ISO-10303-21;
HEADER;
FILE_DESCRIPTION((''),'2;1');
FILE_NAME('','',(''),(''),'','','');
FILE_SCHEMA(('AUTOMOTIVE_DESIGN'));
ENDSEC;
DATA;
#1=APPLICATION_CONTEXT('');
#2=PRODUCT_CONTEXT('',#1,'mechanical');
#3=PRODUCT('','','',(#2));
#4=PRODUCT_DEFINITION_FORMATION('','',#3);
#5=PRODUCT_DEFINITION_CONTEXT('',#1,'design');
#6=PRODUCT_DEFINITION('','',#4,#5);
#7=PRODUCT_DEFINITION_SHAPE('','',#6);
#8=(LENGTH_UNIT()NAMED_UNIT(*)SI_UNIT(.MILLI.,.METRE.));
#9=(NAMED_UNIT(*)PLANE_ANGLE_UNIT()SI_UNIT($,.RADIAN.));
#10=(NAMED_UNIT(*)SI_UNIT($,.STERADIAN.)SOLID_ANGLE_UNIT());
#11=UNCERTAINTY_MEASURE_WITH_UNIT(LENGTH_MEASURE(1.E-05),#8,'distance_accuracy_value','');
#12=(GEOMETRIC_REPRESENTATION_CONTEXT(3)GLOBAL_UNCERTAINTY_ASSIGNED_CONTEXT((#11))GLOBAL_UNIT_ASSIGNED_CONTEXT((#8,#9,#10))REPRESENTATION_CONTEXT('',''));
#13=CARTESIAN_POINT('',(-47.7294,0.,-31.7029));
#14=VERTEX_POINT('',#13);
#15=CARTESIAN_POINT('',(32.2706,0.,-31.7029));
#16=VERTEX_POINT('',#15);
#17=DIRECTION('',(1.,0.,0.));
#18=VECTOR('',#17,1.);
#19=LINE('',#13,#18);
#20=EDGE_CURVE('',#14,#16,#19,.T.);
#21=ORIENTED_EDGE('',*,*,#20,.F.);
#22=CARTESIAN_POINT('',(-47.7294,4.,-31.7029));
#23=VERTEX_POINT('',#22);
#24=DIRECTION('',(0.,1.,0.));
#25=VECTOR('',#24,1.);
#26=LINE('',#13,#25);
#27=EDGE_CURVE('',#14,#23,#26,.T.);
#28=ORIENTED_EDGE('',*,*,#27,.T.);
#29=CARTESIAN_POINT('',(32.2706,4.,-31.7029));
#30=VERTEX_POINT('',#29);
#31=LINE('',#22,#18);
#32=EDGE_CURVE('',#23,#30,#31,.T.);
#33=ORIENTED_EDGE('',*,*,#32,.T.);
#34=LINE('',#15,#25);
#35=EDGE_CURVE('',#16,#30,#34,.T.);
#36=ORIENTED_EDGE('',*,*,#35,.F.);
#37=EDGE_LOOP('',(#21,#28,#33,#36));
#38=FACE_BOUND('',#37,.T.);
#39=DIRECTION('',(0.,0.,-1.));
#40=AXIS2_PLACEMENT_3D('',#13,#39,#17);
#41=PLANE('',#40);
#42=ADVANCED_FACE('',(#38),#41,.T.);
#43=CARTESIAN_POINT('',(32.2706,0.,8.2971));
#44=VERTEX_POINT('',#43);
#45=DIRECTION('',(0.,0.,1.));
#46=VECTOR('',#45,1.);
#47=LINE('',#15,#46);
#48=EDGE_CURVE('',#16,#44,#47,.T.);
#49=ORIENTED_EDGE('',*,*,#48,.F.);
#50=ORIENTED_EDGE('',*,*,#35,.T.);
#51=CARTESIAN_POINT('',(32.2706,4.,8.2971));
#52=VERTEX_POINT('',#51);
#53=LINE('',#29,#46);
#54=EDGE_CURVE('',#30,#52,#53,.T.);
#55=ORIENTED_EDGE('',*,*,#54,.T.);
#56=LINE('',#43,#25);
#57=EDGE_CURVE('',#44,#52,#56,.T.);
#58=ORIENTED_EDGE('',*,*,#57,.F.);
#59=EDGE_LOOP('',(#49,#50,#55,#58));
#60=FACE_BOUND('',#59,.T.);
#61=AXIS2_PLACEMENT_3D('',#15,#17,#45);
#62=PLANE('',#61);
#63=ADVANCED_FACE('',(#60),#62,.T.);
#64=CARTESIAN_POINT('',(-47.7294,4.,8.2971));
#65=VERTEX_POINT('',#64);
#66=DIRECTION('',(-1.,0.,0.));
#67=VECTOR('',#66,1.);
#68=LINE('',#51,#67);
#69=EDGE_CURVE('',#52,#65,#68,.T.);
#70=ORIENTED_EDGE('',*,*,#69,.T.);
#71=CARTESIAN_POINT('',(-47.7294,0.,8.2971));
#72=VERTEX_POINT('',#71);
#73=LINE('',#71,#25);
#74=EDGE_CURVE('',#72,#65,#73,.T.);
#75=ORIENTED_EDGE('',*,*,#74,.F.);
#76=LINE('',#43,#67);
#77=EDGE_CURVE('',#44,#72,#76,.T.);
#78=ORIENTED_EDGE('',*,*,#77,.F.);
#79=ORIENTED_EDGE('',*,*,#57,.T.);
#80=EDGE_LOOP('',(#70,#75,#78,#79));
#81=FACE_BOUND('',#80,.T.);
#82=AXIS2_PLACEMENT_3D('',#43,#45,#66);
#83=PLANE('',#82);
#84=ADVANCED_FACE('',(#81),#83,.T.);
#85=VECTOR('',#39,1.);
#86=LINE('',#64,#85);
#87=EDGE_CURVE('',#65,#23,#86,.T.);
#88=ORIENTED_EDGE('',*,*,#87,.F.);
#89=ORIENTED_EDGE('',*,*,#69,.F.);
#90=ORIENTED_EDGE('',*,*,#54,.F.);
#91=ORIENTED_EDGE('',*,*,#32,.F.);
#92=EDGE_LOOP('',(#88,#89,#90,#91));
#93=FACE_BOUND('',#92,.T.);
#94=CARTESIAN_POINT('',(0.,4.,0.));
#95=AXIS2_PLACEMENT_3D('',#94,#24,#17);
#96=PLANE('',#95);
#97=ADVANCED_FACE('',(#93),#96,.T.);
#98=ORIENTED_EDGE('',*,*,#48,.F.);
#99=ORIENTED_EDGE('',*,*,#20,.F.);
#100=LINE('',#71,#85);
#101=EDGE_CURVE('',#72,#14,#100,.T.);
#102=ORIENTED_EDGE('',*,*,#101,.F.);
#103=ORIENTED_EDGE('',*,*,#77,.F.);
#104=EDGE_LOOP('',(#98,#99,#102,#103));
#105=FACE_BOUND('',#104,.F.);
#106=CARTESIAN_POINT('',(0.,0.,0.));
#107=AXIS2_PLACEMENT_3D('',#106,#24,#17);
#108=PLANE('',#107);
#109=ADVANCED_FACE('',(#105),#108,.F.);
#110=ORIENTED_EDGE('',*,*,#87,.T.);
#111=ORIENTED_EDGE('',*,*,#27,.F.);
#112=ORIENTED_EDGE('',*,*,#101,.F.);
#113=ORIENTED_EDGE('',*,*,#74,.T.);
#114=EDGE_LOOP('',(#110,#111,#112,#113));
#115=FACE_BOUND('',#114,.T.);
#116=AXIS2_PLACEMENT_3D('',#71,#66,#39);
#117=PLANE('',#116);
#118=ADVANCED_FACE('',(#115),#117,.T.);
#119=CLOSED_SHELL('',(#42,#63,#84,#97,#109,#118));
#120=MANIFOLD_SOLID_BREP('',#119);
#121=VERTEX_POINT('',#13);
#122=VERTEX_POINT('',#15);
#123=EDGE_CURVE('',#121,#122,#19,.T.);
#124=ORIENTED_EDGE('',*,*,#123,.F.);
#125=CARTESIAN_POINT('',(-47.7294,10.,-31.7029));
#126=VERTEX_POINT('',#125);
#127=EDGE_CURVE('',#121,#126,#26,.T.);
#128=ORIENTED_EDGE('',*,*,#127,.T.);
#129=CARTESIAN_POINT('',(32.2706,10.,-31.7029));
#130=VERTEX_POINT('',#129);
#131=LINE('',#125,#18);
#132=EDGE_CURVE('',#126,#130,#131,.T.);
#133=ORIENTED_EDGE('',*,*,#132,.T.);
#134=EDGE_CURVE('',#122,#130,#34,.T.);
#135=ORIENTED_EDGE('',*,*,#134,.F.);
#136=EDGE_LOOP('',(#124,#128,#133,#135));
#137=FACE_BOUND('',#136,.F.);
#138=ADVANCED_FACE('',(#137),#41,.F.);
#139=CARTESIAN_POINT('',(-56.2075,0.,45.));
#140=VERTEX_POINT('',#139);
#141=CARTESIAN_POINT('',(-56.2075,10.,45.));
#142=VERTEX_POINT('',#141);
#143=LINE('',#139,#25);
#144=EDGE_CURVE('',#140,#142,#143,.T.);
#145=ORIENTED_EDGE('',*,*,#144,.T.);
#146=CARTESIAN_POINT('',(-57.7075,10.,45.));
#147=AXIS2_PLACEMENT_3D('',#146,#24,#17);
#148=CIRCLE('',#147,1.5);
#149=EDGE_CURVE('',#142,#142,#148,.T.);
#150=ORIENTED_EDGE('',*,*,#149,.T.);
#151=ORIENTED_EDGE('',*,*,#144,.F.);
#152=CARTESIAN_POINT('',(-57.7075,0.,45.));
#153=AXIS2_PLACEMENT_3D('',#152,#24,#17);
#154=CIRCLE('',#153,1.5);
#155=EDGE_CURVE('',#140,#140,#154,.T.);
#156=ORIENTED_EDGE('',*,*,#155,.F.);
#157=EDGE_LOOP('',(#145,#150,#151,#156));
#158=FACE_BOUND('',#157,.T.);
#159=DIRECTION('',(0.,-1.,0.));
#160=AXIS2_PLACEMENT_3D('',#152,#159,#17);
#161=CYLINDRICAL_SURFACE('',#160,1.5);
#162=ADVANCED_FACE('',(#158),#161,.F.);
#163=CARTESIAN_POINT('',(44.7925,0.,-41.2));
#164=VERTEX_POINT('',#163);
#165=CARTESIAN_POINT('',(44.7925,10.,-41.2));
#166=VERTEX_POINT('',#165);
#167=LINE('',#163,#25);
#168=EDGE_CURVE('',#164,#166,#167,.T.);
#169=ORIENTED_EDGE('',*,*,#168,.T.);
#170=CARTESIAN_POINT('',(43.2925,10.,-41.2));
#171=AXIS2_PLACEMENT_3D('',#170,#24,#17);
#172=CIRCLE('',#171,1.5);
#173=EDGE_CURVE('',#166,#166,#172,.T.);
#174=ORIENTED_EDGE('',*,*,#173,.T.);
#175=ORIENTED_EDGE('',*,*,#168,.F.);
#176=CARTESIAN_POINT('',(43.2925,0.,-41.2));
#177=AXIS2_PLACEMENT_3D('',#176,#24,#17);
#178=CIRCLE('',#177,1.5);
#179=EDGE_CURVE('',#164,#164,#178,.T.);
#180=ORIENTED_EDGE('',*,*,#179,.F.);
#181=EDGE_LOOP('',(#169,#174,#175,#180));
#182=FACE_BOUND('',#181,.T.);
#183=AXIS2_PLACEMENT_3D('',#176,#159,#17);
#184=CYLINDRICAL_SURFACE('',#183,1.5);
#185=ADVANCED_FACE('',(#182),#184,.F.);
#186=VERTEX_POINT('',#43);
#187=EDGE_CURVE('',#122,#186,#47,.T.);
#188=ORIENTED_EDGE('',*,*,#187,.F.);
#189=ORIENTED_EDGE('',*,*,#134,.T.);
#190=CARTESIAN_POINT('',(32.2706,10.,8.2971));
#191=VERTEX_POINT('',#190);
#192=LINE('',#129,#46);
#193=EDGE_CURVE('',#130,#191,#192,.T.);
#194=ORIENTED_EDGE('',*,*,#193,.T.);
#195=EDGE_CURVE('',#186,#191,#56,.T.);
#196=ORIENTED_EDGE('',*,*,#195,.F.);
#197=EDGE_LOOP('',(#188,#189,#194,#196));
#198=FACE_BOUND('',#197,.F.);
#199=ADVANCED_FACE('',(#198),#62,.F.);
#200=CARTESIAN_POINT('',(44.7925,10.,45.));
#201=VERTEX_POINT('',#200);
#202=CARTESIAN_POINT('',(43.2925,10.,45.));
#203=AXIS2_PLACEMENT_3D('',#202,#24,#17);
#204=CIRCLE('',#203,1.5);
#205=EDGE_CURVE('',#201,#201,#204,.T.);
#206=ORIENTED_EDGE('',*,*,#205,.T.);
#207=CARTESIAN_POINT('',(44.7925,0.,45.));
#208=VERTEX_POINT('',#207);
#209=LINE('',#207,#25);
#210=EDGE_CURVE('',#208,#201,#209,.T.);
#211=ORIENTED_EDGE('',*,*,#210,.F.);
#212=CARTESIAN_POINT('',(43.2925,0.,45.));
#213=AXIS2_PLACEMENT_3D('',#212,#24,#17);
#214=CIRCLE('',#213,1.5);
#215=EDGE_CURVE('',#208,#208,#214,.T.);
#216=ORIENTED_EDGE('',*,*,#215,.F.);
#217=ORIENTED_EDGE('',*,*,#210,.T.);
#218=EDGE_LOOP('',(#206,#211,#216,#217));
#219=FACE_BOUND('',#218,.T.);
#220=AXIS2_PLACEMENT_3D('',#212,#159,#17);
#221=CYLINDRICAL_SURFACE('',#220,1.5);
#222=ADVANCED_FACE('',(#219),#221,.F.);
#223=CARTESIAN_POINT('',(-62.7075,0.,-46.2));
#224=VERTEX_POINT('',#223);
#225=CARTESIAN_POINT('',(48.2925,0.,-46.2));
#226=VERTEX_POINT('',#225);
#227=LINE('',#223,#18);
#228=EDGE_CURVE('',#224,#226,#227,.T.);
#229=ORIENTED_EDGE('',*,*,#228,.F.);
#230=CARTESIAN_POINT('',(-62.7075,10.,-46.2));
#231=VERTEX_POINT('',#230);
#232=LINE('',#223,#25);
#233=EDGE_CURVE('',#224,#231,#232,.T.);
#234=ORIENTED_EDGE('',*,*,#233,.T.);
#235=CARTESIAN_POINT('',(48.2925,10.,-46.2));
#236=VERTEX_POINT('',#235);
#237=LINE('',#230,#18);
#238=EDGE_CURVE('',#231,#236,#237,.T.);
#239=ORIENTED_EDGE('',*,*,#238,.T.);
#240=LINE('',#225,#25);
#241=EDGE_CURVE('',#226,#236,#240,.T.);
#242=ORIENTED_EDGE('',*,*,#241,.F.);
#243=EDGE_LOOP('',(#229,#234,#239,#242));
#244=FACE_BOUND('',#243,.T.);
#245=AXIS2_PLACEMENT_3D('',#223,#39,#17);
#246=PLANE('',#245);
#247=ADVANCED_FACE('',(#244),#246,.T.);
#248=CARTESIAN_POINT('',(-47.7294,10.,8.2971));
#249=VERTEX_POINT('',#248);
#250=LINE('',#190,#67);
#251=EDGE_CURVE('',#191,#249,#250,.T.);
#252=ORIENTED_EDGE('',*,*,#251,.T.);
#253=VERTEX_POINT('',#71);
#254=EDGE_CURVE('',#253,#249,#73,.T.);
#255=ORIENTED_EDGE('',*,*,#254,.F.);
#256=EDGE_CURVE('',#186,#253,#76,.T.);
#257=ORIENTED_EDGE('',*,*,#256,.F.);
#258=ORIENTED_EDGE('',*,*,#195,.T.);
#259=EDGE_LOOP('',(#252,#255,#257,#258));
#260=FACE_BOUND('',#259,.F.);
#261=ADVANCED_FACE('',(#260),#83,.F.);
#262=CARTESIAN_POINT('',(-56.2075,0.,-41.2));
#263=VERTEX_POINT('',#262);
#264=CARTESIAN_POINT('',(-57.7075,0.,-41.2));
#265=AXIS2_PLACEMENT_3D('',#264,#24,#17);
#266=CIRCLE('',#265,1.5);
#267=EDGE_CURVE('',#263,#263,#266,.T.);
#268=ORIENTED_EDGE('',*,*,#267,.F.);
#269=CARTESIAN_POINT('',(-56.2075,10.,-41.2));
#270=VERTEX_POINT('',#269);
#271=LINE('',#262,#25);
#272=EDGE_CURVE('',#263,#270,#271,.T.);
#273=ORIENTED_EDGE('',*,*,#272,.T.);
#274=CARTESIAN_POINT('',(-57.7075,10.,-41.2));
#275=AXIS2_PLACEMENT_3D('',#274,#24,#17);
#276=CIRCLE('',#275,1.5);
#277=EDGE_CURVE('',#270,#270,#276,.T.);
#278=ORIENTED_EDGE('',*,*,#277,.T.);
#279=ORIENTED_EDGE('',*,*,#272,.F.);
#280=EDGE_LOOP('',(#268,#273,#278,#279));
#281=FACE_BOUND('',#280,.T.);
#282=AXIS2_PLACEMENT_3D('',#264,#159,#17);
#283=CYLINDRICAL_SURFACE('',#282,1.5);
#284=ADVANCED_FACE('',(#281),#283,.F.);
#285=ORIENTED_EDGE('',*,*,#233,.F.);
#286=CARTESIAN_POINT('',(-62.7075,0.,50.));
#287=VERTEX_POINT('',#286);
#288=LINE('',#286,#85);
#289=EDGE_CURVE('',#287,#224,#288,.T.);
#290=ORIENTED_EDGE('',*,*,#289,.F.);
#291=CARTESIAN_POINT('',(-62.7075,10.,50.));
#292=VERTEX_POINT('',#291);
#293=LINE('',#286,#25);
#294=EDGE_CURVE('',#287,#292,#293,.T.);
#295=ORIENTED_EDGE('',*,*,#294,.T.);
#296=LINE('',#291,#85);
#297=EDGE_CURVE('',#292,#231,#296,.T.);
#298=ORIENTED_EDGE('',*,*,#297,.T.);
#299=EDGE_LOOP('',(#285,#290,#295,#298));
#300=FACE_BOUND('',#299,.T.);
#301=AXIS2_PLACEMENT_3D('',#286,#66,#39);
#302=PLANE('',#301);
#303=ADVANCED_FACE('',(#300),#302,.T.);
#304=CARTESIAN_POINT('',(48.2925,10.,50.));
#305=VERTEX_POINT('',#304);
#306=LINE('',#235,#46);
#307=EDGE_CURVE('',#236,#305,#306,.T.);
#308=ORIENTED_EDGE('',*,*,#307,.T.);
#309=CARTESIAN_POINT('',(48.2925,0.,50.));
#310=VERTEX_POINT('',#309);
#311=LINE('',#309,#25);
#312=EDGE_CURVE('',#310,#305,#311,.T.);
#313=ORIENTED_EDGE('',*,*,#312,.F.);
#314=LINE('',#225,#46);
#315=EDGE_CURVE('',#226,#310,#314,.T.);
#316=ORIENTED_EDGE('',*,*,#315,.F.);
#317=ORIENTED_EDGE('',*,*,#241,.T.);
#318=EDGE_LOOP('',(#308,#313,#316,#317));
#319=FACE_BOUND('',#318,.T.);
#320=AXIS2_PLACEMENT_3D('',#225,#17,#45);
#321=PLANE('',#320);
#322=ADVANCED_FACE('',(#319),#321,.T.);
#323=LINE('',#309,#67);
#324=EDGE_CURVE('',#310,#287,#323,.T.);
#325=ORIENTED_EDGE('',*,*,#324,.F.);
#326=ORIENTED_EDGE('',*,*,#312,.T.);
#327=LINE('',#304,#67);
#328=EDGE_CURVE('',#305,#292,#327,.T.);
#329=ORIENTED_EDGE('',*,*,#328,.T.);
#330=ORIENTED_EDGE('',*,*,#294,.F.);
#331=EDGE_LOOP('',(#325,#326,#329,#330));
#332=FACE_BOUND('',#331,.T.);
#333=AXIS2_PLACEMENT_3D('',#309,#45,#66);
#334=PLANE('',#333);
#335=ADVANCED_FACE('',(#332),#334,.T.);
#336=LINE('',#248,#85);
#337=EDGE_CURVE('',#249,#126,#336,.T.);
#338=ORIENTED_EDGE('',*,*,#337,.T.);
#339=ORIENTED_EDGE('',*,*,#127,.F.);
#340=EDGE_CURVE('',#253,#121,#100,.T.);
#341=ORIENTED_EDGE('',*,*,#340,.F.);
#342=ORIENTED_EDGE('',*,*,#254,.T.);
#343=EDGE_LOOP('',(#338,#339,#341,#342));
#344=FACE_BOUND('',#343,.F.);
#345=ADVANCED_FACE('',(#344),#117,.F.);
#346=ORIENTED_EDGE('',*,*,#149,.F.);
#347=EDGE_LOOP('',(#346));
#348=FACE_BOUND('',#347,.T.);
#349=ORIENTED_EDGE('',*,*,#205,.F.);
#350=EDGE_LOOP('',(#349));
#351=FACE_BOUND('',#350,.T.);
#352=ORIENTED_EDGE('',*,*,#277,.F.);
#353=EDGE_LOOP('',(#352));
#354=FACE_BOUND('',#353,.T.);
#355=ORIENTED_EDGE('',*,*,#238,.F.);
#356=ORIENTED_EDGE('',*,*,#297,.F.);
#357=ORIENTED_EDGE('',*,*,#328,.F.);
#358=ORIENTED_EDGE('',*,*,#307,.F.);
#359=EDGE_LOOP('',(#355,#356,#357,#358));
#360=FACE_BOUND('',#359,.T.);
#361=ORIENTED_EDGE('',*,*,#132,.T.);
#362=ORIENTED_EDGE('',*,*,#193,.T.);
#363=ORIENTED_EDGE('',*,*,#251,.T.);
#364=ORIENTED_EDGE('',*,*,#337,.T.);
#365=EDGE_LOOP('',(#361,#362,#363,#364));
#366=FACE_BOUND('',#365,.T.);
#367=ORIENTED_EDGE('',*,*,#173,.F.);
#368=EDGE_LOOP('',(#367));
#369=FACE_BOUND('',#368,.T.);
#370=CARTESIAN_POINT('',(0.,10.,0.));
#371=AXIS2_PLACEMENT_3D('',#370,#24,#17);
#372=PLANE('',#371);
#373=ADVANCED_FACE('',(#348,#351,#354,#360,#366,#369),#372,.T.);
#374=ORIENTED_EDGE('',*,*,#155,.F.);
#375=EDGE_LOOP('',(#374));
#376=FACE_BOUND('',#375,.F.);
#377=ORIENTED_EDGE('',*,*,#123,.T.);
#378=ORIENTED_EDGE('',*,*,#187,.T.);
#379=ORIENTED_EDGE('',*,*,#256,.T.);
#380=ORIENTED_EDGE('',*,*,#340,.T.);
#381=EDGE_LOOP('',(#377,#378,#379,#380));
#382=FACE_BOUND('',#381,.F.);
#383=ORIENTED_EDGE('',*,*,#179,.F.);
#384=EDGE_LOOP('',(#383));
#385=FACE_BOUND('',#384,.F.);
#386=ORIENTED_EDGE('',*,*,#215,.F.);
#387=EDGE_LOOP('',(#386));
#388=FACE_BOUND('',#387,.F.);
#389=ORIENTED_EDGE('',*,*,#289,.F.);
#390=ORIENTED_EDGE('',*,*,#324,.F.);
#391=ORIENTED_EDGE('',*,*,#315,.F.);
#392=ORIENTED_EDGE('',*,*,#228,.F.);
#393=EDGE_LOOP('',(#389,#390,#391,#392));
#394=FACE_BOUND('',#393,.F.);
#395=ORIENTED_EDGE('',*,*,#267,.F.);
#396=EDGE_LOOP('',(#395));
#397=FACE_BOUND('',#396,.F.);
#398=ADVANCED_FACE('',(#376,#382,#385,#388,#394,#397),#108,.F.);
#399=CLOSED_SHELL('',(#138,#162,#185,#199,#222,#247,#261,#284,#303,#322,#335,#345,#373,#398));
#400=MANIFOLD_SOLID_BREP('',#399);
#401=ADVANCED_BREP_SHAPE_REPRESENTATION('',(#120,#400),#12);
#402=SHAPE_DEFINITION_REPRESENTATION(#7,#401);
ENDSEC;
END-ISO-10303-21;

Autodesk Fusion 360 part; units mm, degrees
sketch "Sketch1" plane through (0, 0, 0) normal (0, 1, 0) x (1, 0, 0)
  line L0 (48.2925, -50) -> (-62.7075, -50)
  line L1 (-62.7075, -50) -> (-62.7075, 46.2)
  line L2 (-62.7075, 46.2) -> (48.2925, 46.2)
  line L3 (48.2925, 46.2) -> (48.2925, -50)
  circle A0 centre (43.2925, -45) radius 1.5
  circle A1 centre (-57.7075, -45) radius 1.5
  circle A2 centre (-57.7075, 41.2) radius 1.5
  circle A3 centre (43.2925, 41.2) radius 1.5
  line L4 (32.2706, -8.2971) -> (-47.7294, -8.2971)
  line L5 (-47.7294, -8.2971) -> (-47.7294, 31.7029)
  line L6 (-47.7294, 31.7029) -> (32.2706, 31.7029)
  line L7 (32.2706, 31.7029) -> (32.2706, -8.2971)
  dimension "d1" = 111
  dimension "d2" = 96.2
  dimension "d3" = 3
  dimension "d4" = 5
  dimension "d5" = 5
  dimension "d6" = 3
  dimension "d7" = 5
  dimension "d8" = 5
  dimension "d9" = 3
  dimension "d10" = 5
  dimension "d11" = 5
  dimension "d12" = 3
  dimension "d13" = 5
  dimension "d14" = 5
  dimension "d15" = 40
  dimension "d16" = 80
extrude "Extrude1" add sketch "Sketch1" along normal blind 10 makes body 1
extrude "Extrude2" add sketch "Sketch1" along normal blind 4 separate body contours L4 L5 L6 L7 makes body 2
